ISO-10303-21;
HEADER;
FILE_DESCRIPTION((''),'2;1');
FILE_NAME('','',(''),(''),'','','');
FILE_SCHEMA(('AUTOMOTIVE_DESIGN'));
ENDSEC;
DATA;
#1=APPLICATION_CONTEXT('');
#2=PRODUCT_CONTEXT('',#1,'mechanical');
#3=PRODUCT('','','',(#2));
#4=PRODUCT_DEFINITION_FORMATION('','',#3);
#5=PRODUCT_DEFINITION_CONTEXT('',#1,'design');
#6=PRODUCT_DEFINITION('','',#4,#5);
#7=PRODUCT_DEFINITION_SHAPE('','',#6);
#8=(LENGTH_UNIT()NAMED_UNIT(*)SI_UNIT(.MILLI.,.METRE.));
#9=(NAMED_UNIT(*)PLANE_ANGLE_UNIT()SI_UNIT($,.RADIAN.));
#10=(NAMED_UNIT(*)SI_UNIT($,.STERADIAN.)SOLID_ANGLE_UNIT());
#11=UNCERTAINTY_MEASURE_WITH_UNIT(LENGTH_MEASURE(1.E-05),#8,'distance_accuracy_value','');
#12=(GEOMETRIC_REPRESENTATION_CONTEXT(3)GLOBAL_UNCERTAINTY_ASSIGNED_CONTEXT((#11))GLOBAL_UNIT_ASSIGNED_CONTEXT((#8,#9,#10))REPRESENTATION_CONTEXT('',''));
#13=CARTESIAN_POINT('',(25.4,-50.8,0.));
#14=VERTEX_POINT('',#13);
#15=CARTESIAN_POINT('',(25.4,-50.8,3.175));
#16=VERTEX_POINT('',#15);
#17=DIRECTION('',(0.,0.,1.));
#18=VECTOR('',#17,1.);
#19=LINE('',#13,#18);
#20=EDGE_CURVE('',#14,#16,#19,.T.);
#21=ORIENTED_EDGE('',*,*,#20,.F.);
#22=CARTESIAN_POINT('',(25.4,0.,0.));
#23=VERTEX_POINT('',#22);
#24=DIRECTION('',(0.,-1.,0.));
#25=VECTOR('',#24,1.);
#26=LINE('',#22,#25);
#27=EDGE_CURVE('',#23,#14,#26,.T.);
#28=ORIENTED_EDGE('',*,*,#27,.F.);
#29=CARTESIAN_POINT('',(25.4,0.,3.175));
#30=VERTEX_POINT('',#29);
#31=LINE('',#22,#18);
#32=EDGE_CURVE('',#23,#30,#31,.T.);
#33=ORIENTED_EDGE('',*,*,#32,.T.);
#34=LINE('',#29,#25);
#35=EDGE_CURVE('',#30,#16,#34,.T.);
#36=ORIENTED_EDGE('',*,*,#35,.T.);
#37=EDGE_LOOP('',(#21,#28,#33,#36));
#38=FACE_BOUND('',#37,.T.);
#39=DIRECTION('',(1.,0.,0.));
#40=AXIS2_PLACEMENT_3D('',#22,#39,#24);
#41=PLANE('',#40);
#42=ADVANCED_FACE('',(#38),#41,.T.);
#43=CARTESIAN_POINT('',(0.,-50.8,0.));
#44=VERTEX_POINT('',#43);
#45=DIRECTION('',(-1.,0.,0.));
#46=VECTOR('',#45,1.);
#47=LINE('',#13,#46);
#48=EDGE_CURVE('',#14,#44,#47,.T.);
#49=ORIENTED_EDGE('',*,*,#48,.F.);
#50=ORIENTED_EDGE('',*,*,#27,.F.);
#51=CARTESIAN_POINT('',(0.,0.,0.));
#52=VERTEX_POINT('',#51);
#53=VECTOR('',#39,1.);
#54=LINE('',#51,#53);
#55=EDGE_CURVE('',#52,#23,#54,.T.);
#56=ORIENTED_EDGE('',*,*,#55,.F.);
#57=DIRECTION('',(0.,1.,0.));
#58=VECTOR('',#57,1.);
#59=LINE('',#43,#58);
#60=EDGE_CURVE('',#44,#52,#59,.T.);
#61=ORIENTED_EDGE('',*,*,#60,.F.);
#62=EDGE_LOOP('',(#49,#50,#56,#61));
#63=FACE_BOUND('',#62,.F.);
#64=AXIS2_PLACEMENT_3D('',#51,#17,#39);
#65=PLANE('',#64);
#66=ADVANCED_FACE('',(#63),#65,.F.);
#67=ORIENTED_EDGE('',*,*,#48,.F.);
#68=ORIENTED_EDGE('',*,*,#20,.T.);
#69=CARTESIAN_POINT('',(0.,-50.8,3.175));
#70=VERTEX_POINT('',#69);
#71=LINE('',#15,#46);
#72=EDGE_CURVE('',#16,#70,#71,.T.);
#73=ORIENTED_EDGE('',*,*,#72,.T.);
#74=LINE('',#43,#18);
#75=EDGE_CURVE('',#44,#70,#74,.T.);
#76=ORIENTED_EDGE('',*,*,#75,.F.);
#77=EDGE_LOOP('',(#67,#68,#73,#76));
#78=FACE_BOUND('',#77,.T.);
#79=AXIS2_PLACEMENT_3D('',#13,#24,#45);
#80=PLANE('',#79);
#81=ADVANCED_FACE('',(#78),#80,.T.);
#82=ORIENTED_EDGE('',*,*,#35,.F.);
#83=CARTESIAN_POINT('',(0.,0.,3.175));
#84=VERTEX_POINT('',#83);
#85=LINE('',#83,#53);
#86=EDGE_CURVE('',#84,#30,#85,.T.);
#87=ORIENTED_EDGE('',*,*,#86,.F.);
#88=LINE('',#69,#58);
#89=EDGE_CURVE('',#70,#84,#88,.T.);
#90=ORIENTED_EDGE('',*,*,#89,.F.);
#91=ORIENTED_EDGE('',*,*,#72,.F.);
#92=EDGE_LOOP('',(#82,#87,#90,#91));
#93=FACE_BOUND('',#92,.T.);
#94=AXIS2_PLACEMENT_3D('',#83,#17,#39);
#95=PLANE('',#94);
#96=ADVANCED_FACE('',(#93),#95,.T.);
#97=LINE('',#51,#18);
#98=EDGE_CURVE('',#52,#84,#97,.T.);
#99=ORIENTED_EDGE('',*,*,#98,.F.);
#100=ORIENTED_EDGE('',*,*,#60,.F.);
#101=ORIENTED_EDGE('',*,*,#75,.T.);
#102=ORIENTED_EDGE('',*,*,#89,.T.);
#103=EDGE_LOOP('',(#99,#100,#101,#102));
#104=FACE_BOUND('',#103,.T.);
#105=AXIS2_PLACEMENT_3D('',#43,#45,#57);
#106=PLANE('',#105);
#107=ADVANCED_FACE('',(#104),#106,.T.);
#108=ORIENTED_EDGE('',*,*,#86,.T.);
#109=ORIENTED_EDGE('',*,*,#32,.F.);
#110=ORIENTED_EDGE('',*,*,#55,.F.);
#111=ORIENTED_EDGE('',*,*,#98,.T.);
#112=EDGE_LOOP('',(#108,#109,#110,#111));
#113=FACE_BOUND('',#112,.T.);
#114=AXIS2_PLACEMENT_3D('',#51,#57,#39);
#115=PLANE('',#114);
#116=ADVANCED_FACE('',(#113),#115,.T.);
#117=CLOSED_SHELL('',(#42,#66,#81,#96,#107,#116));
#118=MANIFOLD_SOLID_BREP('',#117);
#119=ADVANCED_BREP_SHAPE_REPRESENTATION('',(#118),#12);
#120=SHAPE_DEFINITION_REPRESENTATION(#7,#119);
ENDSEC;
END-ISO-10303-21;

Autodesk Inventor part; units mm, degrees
ref_plane "YZ Plane" through (0, 0, 0) normal (1, 0, 0) x (0, 1, 0)
ref_plane "XZ Plane" through (0, 0, 0) normal (0, 1, 0) x (-1, 0, 0)
ref_plane "XY Plane" through (0, 0, 0) normal (0, 0, 1) x (1, 0, 0)
sketch "Sketch1" plane through (0, 0, 0) normal (0, 0, 1) x (1, 0, 0)
  line L0 (0, 0) -> (25.4, 0)
  line L1 (25.4, 0) -> (25.4, -50.8)
  line L2 (25.4, -50.8) -> (0, -50.8)
  line L3 (0, -50.8) -> (0, 0)
  dimension "d0" = 25.4
  dimension "d1" = 50.8
extrude "Extrusion1" add sketch "Sketch1" along normal blind 3.175
properties part number "vertplt"
